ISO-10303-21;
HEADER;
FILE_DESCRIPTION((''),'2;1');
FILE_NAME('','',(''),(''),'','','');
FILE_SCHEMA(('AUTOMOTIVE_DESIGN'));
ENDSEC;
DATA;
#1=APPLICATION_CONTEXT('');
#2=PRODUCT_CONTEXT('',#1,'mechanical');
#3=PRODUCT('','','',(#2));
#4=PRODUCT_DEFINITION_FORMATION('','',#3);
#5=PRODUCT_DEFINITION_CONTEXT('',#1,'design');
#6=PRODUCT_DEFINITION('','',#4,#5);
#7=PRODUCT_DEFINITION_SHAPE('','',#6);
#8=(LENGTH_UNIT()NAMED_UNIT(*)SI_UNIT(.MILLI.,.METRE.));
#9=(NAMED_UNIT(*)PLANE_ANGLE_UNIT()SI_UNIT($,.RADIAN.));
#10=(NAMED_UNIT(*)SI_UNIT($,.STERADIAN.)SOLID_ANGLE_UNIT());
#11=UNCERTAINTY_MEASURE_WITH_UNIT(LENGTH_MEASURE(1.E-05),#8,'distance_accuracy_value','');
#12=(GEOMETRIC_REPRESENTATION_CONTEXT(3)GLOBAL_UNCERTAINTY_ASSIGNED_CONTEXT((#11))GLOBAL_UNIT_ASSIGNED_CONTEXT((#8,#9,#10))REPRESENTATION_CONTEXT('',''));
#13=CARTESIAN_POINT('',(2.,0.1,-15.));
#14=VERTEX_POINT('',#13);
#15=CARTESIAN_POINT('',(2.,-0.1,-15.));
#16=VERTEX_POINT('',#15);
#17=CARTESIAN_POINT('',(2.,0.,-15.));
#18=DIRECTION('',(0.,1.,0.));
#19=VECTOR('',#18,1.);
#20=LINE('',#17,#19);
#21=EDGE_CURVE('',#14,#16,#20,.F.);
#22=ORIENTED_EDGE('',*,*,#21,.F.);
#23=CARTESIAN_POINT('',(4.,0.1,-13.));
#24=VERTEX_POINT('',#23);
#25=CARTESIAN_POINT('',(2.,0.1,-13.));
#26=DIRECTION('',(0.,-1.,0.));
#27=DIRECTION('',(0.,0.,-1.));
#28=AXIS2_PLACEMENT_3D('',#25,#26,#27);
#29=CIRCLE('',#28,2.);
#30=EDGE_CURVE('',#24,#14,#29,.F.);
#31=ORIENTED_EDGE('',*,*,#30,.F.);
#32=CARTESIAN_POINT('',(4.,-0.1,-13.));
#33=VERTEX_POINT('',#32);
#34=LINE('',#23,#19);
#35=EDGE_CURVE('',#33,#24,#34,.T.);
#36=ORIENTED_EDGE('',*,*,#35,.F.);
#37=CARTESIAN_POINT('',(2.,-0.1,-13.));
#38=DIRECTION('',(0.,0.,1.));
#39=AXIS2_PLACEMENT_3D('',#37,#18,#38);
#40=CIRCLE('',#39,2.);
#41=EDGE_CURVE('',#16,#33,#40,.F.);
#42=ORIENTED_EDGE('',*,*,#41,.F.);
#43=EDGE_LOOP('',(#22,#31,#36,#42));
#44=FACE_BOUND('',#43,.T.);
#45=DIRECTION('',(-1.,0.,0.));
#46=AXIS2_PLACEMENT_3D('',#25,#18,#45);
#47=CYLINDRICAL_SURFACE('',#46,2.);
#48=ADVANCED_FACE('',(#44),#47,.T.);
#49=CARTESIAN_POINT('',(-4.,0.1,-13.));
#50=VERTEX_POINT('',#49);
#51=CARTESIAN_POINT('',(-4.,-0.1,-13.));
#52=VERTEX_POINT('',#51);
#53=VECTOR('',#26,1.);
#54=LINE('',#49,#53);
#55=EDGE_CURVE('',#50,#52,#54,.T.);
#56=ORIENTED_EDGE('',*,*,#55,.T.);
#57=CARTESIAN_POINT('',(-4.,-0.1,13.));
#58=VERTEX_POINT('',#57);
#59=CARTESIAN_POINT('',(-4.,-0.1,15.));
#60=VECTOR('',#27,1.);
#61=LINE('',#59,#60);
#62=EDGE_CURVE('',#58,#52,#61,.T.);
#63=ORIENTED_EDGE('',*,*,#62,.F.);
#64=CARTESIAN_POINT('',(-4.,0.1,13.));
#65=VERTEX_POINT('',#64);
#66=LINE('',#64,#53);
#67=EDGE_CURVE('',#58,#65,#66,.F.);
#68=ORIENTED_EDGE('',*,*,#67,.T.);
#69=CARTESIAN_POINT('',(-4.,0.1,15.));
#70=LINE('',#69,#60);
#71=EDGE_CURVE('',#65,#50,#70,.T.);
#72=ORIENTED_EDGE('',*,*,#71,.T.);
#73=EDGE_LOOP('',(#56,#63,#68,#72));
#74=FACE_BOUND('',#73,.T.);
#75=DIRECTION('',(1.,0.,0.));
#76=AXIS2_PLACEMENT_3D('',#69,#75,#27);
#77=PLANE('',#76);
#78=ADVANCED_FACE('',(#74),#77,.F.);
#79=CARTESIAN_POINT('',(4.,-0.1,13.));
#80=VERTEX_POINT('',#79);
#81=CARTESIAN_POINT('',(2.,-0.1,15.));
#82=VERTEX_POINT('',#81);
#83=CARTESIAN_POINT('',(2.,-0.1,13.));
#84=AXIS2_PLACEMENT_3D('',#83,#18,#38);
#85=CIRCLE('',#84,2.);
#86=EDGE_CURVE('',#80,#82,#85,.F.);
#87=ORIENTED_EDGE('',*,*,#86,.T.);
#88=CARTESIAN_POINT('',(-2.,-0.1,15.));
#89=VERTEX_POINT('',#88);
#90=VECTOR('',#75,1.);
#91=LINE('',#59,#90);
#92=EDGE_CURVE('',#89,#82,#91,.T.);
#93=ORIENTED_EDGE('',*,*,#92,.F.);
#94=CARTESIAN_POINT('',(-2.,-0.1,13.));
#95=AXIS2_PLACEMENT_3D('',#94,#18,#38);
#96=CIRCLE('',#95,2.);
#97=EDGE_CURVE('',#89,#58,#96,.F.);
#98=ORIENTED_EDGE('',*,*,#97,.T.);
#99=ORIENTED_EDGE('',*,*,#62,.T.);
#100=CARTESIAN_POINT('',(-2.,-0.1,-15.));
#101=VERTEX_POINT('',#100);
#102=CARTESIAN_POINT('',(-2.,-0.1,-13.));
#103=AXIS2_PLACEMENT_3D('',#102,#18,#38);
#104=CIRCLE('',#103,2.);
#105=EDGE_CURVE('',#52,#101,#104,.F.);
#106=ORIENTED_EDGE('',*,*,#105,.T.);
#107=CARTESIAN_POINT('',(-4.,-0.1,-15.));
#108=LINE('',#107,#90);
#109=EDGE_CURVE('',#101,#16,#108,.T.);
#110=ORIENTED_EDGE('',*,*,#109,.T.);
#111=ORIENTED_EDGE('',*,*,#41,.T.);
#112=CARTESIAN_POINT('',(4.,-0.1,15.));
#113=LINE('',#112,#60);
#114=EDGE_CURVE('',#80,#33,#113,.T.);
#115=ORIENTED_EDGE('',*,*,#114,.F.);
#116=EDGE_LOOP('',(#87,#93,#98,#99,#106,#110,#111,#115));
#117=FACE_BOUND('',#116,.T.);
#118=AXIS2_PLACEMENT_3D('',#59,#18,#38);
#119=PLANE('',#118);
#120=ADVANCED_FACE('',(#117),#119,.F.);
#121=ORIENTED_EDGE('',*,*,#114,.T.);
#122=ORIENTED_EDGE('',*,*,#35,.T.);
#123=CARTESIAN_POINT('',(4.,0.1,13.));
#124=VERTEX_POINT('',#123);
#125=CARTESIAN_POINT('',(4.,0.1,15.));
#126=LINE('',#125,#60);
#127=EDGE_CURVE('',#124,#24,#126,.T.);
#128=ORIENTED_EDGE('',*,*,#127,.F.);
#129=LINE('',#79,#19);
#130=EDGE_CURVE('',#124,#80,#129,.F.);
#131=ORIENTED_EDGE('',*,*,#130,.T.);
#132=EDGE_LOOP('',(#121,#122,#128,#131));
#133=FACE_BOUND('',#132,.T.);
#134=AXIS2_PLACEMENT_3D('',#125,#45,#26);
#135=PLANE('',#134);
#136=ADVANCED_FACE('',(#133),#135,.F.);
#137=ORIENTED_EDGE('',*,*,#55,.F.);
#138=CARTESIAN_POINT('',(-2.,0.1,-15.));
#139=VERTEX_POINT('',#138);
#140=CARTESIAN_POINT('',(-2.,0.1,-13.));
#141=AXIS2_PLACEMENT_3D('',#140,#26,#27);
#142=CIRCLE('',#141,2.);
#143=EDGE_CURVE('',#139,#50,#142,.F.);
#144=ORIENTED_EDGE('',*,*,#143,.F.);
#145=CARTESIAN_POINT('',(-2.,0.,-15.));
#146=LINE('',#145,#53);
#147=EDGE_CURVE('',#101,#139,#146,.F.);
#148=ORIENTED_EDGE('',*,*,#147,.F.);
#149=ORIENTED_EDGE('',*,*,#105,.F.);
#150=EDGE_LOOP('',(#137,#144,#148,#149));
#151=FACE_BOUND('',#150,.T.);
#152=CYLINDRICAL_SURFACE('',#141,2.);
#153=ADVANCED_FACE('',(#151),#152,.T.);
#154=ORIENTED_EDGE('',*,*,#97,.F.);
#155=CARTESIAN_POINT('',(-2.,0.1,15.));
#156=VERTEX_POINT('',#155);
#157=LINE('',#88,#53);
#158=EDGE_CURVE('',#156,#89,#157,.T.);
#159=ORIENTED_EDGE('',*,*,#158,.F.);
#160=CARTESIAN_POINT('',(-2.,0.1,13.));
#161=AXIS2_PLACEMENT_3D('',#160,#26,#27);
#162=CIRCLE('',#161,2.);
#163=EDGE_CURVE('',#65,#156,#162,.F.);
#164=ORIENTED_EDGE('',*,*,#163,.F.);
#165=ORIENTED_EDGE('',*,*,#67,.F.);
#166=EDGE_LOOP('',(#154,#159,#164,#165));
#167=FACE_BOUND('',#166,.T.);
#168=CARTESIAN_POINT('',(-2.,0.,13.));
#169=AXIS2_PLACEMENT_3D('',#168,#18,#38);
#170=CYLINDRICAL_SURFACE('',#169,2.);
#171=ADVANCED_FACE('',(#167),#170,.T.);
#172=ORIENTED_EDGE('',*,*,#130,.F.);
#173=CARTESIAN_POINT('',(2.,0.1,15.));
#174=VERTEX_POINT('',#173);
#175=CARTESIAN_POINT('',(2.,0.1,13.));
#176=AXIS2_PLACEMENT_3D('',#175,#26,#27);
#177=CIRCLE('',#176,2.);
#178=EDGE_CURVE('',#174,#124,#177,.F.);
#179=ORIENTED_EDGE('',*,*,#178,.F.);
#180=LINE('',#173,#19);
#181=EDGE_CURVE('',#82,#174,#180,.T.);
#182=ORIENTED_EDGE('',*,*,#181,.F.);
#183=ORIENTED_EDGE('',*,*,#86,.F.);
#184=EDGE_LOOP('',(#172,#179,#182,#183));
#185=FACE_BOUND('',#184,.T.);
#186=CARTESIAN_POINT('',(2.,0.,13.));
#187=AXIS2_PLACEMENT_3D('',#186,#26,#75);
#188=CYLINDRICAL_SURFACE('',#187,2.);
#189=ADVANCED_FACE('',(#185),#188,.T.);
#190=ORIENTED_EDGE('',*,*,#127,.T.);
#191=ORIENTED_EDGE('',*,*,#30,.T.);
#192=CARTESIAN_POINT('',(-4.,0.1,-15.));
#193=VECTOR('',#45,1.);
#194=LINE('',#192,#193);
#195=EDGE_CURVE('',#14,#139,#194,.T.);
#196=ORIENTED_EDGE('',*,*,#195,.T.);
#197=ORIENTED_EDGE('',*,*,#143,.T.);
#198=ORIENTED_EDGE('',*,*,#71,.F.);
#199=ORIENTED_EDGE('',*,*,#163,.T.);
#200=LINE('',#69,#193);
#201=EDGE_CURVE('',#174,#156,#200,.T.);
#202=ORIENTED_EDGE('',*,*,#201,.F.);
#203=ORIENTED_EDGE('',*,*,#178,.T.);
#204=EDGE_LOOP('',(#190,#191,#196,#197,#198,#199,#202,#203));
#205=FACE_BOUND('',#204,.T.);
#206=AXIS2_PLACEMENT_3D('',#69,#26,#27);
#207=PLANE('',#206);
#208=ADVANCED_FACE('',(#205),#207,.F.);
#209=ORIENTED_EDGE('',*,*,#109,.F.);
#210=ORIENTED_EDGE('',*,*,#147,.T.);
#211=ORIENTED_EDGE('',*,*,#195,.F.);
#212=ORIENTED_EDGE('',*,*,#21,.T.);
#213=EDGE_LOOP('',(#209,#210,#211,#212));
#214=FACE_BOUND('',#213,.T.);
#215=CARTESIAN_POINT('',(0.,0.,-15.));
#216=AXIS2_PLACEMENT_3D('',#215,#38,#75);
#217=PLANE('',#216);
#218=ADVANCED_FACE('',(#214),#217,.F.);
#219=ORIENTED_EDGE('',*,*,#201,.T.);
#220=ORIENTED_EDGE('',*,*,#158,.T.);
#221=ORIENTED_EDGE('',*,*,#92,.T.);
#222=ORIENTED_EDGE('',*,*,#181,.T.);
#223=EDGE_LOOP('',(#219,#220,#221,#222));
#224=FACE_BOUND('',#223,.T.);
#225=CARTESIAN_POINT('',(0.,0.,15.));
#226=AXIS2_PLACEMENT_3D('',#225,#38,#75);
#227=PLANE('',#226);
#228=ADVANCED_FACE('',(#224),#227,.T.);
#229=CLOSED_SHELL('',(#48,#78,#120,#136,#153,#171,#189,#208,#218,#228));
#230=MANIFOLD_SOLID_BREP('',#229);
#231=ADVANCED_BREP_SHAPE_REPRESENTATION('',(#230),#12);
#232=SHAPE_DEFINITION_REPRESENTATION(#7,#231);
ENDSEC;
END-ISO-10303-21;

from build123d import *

# Parameters (mm, degrees)
SKETCH1_W           = 8
SKETCH1_H           = 0.2
BOSS_EXTRUDE1_DEPTH = 15
FILLET1_R           = 2


with BuildPart() as part:
    # Sketch1 → Boss-Extrude1 (new, symmetric)
    with BuildSketch(Plane.XY):
        Rectangle(SKETCH1_W, SKETCH1_H)
    extrude(amount=BOSS_EXTRUDE1_DEPTH, both=True)

    # Fillet1
    fillet1_edges = [part.edges().sort_by_distance(p)[0] for p in [
        (4, 0, 15),
        (-4, 0, 15),
        (4, 0, -15),
        (-4, 0, -15),
    ]]
    fillet(fillet1_edges, radius=FILLET1_R)


solid = part.part
